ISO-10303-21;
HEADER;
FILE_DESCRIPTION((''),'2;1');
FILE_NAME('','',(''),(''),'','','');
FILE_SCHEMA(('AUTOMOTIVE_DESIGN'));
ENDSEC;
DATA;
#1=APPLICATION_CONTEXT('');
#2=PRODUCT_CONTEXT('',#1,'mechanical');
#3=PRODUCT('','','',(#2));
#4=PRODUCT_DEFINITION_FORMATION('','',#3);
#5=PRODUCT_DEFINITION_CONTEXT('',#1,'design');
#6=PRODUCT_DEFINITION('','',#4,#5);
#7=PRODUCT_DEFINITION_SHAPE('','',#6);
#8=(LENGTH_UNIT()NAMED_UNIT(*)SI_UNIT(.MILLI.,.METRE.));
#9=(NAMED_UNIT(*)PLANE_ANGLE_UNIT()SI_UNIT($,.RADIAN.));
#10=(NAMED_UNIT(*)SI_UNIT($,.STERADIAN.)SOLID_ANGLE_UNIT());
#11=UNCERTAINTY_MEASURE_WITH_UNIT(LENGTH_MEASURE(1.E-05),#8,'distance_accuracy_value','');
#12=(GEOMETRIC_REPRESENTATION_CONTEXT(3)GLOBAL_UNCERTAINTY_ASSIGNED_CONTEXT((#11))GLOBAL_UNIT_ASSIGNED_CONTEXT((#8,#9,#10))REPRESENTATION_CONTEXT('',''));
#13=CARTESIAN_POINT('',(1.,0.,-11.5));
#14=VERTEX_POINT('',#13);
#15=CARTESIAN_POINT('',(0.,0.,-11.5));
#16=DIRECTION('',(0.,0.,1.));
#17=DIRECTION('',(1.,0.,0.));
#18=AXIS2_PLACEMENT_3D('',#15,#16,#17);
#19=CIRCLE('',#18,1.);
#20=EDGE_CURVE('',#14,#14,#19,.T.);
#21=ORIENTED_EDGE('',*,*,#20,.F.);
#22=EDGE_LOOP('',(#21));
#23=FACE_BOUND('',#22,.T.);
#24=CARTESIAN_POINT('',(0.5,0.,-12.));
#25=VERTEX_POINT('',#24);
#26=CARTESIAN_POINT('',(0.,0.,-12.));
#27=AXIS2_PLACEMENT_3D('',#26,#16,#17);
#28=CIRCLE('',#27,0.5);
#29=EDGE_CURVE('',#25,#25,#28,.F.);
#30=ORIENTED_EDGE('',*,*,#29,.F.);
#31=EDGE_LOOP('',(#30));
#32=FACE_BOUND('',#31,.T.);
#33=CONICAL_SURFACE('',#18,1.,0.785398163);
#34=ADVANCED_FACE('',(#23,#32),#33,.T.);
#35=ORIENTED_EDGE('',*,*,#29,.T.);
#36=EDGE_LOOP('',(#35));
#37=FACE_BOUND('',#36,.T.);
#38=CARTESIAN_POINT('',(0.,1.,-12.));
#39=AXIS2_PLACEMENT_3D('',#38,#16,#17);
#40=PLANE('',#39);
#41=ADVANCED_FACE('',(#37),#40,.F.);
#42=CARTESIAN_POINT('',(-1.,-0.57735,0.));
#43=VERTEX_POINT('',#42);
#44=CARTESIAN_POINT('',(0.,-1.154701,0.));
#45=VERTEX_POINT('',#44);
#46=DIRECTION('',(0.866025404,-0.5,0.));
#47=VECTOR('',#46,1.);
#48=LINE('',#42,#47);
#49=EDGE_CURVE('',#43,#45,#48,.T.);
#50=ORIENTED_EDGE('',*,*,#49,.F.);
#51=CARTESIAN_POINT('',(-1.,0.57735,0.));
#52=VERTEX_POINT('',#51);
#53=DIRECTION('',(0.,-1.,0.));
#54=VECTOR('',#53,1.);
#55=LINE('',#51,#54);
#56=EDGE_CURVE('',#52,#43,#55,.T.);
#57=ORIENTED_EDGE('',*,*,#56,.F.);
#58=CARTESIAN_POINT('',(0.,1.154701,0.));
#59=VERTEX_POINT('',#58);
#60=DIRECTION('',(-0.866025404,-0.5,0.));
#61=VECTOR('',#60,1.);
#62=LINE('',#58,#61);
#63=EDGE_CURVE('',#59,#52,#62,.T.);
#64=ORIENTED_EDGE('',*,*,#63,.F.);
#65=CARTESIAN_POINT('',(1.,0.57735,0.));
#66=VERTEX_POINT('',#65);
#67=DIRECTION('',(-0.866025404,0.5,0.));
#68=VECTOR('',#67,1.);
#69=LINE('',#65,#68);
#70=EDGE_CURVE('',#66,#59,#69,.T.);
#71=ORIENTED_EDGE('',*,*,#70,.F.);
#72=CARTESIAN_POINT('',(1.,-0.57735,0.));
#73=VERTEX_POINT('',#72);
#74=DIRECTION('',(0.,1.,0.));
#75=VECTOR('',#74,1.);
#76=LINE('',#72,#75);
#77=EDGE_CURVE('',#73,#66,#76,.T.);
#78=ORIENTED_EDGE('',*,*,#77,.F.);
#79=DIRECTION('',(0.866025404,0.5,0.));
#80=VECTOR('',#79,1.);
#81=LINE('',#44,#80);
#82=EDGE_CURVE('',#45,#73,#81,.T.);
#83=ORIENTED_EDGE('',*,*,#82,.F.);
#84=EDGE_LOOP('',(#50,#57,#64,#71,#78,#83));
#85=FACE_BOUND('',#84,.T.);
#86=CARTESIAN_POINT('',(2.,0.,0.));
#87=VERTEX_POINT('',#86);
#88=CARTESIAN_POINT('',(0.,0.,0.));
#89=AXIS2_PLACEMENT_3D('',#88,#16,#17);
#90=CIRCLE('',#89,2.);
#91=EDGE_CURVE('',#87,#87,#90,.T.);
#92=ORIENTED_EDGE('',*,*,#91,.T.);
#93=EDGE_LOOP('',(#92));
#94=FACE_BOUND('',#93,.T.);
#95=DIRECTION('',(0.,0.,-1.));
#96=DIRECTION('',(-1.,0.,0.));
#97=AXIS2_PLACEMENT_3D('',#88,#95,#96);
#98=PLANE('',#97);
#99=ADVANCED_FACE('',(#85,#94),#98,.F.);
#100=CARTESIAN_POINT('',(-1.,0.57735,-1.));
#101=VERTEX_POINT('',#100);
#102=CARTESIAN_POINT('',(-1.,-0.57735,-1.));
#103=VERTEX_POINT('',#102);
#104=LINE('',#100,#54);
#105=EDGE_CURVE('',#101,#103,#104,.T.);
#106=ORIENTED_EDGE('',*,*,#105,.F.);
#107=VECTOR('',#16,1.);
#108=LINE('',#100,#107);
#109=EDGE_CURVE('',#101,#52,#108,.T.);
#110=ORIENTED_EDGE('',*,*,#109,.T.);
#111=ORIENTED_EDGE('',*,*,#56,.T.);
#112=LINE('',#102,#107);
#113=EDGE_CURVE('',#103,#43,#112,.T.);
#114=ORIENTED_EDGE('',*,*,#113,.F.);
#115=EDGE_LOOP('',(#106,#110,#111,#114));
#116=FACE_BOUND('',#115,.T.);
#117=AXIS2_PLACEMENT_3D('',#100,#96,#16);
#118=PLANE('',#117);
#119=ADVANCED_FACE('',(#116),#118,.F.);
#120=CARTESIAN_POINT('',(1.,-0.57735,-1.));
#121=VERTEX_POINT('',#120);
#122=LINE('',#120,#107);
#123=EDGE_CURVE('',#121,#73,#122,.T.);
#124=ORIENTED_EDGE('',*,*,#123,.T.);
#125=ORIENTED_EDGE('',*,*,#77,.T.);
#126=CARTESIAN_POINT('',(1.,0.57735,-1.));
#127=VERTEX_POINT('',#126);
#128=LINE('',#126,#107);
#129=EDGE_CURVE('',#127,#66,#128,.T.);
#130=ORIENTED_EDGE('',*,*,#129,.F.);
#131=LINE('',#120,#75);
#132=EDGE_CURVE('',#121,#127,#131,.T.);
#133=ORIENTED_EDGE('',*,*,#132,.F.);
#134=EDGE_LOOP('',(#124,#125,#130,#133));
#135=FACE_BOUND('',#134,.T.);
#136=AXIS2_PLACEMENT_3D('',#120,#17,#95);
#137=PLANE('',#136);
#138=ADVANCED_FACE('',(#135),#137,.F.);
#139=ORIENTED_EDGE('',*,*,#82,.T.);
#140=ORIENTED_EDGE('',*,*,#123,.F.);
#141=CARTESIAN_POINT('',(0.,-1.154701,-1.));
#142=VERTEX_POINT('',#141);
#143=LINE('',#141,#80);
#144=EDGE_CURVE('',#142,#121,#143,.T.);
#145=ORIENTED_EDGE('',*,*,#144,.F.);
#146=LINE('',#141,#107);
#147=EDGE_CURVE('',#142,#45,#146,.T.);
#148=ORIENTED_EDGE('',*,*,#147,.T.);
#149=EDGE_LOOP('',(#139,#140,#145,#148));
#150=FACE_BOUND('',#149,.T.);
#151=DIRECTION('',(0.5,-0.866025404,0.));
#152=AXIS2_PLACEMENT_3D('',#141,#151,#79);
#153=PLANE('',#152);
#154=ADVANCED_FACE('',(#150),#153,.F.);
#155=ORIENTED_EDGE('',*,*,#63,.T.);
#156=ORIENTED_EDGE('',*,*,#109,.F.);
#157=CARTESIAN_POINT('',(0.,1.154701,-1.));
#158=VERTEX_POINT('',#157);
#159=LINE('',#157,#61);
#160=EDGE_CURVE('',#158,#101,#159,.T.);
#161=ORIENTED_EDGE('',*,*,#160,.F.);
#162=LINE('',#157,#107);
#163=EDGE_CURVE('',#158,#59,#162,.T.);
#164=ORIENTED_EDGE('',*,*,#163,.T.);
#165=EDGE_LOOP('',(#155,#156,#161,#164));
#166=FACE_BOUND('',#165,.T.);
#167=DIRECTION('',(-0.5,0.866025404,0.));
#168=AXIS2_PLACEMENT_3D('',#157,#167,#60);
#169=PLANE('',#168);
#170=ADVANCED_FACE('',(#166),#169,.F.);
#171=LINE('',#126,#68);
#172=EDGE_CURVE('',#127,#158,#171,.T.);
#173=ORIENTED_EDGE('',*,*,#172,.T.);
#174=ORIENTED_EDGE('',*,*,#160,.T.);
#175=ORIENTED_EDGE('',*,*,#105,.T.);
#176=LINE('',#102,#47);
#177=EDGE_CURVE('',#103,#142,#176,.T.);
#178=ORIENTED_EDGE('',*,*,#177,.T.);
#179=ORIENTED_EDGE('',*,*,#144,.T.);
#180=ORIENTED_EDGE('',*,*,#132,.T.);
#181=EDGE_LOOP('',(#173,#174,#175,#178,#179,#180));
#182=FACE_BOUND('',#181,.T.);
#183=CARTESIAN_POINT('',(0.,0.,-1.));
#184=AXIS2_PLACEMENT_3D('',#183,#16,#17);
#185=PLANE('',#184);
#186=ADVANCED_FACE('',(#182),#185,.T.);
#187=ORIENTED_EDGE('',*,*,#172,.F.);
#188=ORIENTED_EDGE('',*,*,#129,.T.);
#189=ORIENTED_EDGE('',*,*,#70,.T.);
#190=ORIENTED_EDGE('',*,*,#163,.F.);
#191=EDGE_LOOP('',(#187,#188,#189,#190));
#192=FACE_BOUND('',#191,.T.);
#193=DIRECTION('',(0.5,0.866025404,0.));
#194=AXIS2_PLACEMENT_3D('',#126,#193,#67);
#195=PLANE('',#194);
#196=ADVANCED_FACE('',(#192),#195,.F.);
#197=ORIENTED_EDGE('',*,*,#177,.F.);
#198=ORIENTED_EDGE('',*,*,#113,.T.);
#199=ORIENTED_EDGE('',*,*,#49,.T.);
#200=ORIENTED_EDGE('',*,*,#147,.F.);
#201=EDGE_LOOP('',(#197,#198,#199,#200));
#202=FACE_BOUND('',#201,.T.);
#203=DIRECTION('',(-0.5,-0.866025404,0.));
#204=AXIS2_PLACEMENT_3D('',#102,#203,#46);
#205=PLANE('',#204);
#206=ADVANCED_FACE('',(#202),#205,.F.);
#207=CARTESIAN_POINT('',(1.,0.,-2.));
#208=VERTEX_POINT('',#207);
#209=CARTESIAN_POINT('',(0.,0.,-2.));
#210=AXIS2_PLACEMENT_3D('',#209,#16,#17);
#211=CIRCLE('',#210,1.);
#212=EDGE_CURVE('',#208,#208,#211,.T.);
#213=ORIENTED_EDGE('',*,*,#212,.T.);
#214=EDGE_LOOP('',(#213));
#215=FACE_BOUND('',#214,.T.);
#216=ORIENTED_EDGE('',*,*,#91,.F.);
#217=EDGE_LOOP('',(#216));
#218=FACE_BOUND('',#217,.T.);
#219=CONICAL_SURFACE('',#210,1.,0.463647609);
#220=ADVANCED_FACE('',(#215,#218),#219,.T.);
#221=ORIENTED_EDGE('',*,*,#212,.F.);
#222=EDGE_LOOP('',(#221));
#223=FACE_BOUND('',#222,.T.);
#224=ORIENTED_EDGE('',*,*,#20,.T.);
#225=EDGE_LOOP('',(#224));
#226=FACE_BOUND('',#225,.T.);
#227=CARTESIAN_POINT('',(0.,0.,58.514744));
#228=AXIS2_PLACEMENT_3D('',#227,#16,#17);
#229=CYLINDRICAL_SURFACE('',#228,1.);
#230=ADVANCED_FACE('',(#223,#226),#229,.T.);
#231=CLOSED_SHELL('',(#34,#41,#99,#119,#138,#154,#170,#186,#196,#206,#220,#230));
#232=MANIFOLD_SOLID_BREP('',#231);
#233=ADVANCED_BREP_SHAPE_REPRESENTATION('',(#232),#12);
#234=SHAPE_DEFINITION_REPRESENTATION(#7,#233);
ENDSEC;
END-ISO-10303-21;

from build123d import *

# Parameters (mm, degrees)
FOOTPRINT_DEPTH = 1
CHAMFER1_SIZE   = 0.5


with BuildPart() as part:
    # Sketch1 → Body (revolve)
    with BuildSketch(Plane(origin=(0, 0, 0), x_dir=(0, 0, -1), z_dir=(1, 0, 0)), mode=Mode.PRIVATE) as body_sk:
        Polygon((0, 0), (0, 2), (2, 1), (12, 1), (12, 0), align=None)
    revolve(body_sk.sketch.rotate(Axis((0, 0, 58.51474448), (0, 0, -1)), 90), axis=Axis((0, 0, 58.51474448), (0, 0, -1)))

    # Sketch2 → Footprint (cut)
    with BuildSketch(Plane.XY):
        Polygon((0, 1.154700538), (-1, 0.577350269), (-1, -0.577350269), (0, -1.154700538), (1, -0.577350269), (1, 0.577350269), align=None)
    extrude(amount=-FOOTPRINT_DEPTH, mode=Mode.SUBTRACT)

    # Chamfer1
    chamfer1_edges = [part.edges().sort_by_distance(p)[0] for p in [
        (-1, 0, -12),
    ]]
    chamfer(chamfer1_edges, length=CHAMFER1_SIZE)


solid = part.part
